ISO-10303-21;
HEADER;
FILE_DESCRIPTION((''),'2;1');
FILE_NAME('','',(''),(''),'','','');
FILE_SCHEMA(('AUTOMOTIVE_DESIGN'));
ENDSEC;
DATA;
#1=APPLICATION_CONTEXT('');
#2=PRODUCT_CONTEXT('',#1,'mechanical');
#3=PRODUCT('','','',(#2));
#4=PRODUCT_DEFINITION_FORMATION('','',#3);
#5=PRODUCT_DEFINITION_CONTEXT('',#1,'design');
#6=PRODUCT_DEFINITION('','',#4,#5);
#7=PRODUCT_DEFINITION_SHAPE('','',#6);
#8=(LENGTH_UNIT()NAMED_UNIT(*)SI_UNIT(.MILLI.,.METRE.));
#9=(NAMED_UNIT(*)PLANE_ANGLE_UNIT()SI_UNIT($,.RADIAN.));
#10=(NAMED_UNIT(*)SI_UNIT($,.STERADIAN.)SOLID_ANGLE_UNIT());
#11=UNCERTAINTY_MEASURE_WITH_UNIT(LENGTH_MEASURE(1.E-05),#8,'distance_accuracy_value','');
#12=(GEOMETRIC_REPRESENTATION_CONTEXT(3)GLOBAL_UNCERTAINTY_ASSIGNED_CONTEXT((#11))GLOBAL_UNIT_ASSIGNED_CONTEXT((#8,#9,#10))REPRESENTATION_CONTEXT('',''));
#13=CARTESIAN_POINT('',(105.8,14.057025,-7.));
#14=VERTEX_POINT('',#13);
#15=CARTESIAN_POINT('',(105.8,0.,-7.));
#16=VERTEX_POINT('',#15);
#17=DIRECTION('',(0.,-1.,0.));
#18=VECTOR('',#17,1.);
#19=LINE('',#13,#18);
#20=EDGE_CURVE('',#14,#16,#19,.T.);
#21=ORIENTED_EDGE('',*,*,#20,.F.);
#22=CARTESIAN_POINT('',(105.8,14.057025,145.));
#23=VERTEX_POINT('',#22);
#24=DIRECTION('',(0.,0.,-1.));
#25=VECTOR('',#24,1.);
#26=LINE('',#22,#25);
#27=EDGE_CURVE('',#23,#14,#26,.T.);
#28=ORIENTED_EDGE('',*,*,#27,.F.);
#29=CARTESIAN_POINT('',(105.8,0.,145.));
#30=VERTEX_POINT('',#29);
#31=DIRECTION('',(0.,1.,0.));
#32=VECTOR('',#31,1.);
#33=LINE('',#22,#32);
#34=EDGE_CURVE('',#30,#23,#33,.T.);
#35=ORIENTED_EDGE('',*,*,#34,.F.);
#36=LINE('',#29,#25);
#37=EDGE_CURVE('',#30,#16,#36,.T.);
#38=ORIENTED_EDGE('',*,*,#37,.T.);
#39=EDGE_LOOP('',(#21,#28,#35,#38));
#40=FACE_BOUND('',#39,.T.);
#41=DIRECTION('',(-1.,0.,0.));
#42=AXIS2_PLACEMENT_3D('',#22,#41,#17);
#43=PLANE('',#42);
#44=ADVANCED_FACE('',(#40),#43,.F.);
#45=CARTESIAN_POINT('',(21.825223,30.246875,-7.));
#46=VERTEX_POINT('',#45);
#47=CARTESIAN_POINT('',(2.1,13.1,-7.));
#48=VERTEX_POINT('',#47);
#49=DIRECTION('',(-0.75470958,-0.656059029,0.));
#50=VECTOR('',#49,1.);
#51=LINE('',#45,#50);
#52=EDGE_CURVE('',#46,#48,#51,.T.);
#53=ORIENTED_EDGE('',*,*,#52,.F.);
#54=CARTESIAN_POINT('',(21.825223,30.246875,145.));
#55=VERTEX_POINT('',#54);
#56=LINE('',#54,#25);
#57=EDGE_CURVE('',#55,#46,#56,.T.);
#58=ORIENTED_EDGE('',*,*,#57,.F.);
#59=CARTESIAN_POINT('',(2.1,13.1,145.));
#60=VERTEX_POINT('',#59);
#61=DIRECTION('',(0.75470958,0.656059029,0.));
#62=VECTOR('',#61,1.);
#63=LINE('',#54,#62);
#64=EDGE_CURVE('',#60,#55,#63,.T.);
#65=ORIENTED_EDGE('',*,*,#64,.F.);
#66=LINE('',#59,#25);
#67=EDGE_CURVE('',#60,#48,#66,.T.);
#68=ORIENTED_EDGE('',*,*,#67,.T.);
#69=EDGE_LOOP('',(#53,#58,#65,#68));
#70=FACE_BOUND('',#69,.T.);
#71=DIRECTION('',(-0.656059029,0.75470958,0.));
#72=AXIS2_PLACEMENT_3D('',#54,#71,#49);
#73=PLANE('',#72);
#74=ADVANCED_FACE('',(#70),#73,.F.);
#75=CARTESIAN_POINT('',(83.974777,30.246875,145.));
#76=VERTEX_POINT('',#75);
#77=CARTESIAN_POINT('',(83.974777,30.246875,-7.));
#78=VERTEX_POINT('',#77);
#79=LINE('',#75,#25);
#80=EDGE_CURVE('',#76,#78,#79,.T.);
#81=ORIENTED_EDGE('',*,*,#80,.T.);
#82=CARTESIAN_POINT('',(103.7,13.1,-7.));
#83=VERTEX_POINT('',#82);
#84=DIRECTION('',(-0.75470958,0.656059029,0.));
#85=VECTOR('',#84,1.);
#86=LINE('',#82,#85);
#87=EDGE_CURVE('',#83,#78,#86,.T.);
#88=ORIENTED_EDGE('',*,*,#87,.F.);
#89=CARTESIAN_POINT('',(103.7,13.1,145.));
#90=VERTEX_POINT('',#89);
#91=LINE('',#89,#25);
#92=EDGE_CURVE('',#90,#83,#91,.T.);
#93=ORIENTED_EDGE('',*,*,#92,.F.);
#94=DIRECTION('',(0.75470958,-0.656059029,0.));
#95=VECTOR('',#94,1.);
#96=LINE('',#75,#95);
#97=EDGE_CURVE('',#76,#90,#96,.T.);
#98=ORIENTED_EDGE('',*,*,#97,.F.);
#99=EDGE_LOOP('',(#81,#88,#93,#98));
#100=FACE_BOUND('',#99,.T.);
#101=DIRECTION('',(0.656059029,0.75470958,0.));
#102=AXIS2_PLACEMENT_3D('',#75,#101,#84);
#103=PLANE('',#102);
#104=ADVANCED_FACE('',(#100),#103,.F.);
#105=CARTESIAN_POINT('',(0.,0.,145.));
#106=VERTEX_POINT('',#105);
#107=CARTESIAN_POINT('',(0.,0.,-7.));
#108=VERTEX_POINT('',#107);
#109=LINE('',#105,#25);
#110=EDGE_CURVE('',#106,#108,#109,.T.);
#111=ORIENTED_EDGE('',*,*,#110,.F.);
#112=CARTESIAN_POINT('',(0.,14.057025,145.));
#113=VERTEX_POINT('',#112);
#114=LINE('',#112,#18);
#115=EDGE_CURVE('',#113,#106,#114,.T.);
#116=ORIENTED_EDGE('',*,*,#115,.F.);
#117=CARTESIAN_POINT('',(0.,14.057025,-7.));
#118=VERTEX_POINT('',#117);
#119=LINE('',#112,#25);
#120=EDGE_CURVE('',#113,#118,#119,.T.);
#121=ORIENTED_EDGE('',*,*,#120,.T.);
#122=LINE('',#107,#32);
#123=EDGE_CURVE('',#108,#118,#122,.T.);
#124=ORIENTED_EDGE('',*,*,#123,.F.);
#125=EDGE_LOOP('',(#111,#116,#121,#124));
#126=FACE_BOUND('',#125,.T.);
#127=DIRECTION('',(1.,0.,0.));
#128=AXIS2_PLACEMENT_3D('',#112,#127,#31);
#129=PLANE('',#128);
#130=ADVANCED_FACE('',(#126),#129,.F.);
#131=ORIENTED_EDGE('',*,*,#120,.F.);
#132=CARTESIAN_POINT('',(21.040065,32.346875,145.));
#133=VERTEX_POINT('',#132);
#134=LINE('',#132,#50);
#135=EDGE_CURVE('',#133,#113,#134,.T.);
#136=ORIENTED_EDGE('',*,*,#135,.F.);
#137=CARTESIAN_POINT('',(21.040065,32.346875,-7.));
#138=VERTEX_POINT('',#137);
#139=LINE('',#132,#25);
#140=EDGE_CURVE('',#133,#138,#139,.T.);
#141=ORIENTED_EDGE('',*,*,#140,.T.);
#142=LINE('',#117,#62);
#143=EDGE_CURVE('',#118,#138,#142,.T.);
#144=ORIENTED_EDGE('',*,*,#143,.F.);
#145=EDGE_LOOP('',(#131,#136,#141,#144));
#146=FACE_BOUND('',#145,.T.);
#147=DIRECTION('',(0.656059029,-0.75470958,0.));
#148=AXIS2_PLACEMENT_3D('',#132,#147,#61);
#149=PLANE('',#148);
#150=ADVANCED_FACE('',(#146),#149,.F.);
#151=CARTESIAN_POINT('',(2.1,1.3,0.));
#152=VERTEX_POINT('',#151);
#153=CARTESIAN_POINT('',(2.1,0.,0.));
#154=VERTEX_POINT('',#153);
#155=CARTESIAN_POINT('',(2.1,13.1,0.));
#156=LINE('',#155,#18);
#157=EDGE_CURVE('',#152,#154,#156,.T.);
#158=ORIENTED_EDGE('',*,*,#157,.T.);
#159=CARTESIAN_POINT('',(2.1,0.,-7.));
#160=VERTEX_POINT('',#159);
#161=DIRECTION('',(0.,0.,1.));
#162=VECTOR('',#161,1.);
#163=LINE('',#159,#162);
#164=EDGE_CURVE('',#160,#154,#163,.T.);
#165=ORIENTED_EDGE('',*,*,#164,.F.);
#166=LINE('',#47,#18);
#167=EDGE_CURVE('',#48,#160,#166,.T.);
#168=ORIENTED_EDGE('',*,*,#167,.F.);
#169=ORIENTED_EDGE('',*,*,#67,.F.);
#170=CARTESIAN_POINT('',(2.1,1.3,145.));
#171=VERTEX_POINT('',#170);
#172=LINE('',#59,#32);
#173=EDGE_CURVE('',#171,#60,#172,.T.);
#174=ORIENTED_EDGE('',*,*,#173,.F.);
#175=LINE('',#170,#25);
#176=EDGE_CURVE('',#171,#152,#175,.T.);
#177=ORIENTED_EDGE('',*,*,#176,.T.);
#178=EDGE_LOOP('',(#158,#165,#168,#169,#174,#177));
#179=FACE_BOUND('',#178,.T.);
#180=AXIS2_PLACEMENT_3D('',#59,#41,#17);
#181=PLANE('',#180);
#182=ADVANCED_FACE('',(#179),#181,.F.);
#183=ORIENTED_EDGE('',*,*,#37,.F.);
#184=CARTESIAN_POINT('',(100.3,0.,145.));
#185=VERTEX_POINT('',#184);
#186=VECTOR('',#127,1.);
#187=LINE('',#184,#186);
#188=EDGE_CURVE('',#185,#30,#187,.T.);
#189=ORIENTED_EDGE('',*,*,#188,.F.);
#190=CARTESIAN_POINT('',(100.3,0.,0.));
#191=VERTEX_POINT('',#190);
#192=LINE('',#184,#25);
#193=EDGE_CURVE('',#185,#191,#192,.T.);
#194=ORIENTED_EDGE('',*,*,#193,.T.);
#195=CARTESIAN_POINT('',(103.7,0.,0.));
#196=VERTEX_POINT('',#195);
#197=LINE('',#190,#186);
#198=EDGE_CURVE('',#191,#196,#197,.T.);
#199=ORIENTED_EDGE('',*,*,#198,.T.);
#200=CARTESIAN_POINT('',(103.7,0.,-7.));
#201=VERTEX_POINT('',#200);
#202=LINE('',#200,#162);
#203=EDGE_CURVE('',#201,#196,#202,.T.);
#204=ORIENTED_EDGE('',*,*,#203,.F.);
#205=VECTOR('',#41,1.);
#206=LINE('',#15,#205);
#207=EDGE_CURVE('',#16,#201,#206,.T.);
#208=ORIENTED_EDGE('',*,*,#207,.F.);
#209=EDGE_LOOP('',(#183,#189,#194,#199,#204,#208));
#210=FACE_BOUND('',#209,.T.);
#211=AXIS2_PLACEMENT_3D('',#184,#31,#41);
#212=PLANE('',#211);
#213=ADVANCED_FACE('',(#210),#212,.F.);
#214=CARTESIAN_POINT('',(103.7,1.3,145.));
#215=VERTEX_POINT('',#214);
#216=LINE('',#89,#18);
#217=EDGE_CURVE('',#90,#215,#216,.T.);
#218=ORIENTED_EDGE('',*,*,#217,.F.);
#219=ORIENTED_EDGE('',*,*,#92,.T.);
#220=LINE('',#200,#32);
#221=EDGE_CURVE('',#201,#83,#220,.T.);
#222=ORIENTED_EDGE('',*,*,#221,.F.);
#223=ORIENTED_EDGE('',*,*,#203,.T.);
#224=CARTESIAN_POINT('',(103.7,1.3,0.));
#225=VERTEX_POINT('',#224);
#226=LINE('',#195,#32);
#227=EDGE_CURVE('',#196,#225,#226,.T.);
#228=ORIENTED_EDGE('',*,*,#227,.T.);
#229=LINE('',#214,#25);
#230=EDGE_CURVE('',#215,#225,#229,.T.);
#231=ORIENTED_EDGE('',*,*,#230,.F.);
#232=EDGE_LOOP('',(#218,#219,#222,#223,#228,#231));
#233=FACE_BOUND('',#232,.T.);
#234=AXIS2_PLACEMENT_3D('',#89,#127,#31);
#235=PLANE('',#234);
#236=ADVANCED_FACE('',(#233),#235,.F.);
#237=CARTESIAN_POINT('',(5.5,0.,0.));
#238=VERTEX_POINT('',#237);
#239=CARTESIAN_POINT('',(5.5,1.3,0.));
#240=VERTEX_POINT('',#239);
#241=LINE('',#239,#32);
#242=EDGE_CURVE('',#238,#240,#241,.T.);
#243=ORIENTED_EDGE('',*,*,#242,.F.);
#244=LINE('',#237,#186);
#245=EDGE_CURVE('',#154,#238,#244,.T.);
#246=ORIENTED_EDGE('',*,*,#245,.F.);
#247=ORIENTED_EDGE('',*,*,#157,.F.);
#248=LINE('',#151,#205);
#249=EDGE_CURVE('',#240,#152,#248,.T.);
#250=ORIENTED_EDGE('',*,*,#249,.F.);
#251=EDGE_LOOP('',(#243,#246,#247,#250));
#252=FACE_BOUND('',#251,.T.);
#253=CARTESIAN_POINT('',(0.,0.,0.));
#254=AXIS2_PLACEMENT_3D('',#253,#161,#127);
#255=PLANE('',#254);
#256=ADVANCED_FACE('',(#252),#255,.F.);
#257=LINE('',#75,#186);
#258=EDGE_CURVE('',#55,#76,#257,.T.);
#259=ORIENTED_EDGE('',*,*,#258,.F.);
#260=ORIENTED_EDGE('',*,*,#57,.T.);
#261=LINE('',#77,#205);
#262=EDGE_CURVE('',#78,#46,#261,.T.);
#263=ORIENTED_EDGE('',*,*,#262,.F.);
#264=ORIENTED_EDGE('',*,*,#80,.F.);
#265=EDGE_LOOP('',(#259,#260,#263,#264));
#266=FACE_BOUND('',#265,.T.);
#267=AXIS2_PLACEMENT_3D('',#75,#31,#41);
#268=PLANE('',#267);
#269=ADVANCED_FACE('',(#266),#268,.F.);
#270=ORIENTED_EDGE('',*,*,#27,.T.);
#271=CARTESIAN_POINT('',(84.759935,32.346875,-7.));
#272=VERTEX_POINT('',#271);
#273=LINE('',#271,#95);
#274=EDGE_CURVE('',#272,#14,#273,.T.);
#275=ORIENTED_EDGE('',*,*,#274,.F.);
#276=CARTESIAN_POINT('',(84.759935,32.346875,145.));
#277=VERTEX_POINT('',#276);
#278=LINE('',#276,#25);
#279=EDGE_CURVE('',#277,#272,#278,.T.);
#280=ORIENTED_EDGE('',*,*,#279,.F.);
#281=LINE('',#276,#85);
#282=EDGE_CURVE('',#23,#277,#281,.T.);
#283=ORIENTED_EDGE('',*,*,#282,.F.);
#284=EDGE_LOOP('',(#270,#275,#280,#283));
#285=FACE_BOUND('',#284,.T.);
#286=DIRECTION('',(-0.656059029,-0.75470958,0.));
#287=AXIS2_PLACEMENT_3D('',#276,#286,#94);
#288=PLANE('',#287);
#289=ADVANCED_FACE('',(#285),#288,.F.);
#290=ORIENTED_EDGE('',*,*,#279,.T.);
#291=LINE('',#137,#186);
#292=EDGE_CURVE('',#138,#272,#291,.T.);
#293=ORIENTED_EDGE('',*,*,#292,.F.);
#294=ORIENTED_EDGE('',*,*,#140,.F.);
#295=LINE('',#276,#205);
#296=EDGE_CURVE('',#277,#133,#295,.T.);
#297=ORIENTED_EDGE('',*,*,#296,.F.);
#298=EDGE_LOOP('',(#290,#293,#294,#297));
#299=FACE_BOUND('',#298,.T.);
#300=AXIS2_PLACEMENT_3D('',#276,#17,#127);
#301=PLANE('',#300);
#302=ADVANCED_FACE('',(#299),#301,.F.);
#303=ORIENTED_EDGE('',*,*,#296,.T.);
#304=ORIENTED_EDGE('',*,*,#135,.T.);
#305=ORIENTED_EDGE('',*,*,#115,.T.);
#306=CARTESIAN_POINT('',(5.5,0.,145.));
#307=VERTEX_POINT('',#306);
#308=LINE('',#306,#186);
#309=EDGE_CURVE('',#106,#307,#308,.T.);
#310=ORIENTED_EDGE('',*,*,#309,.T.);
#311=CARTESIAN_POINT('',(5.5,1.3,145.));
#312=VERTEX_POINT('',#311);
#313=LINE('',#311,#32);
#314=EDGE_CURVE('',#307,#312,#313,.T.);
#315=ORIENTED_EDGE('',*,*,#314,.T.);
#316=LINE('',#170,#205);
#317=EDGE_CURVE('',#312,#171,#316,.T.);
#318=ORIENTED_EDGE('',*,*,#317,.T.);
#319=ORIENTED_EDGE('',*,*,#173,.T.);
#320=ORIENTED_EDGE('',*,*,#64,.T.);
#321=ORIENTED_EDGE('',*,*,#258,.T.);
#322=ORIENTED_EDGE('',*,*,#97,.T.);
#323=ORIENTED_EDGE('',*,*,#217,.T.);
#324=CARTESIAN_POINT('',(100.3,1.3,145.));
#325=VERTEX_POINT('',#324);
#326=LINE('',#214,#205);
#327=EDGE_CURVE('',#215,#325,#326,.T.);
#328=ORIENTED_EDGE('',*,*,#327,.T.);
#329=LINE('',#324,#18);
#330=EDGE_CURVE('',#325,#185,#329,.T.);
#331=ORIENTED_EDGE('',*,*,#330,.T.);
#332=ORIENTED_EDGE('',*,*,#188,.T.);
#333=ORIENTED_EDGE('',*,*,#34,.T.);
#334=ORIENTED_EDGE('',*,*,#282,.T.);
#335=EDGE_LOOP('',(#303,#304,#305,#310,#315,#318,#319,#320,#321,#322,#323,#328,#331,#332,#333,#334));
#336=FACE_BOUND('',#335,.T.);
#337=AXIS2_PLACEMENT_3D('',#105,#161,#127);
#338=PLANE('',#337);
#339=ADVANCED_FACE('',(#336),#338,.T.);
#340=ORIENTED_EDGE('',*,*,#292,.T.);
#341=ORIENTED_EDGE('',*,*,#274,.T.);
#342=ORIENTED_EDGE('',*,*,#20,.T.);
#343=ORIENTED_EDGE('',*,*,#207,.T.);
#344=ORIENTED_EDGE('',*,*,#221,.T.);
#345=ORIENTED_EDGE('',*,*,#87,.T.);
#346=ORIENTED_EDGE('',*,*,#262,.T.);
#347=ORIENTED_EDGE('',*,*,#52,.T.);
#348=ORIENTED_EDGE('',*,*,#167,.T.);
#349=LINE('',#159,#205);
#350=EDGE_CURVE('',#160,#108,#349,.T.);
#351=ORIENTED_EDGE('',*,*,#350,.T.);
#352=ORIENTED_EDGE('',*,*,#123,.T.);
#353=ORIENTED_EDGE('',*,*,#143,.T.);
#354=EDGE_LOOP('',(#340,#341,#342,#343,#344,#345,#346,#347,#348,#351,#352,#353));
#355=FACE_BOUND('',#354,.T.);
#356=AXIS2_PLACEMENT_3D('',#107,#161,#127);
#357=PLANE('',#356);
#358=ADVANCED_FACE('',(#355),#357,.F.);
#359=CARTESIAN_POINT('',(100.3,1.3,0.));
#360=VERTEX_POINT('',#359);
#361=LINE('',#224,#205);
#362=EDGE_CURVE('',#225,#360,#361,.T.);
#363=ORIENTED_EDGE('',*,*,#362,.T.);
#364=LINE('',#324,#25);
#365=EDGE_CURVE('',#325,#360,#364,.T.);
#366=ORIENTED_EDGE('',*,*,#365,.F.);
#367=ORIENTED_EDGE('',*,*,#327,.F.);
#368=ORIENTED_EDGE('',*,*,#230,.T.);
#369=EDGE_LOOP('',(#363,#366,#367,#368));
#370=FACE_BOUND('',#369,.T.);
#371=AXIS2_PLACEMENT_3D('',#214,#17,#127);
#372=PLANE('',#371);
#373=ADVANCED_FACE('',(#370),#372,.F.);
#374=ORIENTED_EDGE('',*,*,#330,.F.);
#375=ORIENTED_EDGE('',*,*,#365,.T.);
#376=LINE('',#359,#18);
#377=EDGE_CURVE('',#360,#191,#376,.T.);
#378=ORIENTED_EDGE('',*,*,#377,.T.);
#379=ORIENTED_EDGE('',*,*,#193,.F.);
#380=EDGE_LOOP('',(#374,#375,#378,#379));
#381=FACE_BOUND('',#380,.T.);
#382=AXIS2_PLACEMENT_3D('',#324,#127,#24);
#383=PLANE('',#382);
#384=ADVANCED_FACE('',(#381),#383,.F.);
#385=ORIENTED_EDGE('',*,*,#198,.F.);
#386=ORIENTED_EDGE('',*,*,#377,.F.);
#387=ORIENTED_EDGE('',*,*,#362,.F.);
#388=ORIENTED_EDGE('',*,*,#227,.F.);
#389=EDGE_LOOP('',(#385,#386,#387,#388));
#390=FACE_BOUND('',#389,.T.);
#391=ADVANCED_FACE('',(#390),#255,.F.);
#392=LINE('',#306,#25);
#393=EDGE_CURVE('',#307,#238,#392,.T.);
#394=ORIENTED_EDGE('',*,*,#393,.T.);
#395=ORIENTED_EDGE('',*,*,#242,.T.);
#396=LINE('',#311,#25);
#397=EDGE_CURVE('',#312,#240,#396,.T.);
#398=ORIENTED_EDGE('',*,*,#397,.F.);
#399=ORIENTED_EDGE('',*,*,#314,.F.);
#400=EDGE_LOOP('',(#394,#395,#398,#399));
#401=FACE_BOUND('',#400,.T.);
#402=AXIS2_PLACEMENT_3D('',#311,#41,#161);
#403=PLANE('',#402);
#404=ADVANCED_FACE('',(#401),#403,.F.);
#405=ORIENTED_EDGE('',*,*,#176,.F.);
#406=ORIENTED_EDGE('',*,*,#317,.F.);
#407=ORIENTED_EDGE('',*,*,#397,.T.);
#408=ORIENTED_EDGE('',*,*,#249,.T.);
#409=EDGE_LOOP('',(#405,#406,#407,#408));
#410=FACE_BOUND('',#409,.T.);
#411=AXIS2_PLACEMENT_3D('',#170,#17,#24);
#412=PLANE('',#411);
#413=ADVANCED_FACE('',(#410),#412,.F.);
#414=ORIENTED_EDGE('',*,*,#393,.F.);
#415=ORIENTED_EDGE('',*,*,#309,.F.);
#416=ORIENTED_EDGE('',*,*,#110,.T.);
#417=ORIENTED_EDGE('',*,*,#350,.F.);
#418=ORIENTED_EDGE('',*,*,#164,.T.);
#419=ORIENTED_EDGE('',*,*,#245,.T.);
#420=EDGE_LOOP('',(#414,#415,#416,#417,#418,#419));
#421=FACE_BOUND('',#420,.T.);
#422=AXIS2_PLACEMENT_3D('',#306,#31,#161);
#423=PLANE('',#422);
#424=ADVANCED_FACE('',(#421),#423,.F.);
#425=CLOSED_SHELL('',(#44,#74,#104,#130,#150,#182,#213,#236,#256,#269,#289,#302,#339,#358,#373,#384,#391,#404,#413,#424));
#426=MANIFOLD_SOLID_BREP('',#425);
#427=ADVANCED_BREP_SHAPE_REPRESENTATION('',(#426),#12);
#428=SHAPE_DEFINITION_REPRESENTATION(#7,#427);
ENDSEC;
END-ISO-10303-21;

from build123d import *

# Parameters (mm, degrees)
BOSS_EXTRUDE1_DEPTH = 145
BOSS_EXTRUDE2_DEPTH = 7


with BuildPart() as part:
    # Sketch1 → Boss-Extrude1 (new body)
    with BuildSketch(Plane.XY):
        Polygon((2.1, 1.3), (5.5, 1.3), (5.5, 0), (0, 0), (0, 14.057025137), (21.040065237, 32.34687481), (84.759934763, 32.34687481), (105.8, 14.057025137), (105.8, 0), (100.3, 0), (100.3, 1.3), (103.7, 1.3), (103.7, 13.1), (83.974776936, 30.24687481), (21.825223064, 30.24687481), (2.1, 13.1), align=None)
    extrude(amount=BOSS_EXTRUDE1_DEPTH)

    # Sketch2 → Boss-Extrude2 (add)
    with BuildSketch(Plane(origin=(0, 0, 0), x_dir=(-1, 0, 0), z_dir=(0, 0, -1))):
        Polygon((-2.1, 0), (0, 0), (0, 14.057025137), (-21.040065237, 32.34687481), (-84.759934763, 32.34687481), (-105.8, 14.057025137), (-105.8, 0), (-103.7, 0), (-103.7, 13.1), (-83.974776936, 30.24687481), (-21.825223064, 30.24687481), (-2.1, 13.1), align=None)
    extrude(amount=BOSS_EXTRUDE2_DEPTH)


solid = part.part
